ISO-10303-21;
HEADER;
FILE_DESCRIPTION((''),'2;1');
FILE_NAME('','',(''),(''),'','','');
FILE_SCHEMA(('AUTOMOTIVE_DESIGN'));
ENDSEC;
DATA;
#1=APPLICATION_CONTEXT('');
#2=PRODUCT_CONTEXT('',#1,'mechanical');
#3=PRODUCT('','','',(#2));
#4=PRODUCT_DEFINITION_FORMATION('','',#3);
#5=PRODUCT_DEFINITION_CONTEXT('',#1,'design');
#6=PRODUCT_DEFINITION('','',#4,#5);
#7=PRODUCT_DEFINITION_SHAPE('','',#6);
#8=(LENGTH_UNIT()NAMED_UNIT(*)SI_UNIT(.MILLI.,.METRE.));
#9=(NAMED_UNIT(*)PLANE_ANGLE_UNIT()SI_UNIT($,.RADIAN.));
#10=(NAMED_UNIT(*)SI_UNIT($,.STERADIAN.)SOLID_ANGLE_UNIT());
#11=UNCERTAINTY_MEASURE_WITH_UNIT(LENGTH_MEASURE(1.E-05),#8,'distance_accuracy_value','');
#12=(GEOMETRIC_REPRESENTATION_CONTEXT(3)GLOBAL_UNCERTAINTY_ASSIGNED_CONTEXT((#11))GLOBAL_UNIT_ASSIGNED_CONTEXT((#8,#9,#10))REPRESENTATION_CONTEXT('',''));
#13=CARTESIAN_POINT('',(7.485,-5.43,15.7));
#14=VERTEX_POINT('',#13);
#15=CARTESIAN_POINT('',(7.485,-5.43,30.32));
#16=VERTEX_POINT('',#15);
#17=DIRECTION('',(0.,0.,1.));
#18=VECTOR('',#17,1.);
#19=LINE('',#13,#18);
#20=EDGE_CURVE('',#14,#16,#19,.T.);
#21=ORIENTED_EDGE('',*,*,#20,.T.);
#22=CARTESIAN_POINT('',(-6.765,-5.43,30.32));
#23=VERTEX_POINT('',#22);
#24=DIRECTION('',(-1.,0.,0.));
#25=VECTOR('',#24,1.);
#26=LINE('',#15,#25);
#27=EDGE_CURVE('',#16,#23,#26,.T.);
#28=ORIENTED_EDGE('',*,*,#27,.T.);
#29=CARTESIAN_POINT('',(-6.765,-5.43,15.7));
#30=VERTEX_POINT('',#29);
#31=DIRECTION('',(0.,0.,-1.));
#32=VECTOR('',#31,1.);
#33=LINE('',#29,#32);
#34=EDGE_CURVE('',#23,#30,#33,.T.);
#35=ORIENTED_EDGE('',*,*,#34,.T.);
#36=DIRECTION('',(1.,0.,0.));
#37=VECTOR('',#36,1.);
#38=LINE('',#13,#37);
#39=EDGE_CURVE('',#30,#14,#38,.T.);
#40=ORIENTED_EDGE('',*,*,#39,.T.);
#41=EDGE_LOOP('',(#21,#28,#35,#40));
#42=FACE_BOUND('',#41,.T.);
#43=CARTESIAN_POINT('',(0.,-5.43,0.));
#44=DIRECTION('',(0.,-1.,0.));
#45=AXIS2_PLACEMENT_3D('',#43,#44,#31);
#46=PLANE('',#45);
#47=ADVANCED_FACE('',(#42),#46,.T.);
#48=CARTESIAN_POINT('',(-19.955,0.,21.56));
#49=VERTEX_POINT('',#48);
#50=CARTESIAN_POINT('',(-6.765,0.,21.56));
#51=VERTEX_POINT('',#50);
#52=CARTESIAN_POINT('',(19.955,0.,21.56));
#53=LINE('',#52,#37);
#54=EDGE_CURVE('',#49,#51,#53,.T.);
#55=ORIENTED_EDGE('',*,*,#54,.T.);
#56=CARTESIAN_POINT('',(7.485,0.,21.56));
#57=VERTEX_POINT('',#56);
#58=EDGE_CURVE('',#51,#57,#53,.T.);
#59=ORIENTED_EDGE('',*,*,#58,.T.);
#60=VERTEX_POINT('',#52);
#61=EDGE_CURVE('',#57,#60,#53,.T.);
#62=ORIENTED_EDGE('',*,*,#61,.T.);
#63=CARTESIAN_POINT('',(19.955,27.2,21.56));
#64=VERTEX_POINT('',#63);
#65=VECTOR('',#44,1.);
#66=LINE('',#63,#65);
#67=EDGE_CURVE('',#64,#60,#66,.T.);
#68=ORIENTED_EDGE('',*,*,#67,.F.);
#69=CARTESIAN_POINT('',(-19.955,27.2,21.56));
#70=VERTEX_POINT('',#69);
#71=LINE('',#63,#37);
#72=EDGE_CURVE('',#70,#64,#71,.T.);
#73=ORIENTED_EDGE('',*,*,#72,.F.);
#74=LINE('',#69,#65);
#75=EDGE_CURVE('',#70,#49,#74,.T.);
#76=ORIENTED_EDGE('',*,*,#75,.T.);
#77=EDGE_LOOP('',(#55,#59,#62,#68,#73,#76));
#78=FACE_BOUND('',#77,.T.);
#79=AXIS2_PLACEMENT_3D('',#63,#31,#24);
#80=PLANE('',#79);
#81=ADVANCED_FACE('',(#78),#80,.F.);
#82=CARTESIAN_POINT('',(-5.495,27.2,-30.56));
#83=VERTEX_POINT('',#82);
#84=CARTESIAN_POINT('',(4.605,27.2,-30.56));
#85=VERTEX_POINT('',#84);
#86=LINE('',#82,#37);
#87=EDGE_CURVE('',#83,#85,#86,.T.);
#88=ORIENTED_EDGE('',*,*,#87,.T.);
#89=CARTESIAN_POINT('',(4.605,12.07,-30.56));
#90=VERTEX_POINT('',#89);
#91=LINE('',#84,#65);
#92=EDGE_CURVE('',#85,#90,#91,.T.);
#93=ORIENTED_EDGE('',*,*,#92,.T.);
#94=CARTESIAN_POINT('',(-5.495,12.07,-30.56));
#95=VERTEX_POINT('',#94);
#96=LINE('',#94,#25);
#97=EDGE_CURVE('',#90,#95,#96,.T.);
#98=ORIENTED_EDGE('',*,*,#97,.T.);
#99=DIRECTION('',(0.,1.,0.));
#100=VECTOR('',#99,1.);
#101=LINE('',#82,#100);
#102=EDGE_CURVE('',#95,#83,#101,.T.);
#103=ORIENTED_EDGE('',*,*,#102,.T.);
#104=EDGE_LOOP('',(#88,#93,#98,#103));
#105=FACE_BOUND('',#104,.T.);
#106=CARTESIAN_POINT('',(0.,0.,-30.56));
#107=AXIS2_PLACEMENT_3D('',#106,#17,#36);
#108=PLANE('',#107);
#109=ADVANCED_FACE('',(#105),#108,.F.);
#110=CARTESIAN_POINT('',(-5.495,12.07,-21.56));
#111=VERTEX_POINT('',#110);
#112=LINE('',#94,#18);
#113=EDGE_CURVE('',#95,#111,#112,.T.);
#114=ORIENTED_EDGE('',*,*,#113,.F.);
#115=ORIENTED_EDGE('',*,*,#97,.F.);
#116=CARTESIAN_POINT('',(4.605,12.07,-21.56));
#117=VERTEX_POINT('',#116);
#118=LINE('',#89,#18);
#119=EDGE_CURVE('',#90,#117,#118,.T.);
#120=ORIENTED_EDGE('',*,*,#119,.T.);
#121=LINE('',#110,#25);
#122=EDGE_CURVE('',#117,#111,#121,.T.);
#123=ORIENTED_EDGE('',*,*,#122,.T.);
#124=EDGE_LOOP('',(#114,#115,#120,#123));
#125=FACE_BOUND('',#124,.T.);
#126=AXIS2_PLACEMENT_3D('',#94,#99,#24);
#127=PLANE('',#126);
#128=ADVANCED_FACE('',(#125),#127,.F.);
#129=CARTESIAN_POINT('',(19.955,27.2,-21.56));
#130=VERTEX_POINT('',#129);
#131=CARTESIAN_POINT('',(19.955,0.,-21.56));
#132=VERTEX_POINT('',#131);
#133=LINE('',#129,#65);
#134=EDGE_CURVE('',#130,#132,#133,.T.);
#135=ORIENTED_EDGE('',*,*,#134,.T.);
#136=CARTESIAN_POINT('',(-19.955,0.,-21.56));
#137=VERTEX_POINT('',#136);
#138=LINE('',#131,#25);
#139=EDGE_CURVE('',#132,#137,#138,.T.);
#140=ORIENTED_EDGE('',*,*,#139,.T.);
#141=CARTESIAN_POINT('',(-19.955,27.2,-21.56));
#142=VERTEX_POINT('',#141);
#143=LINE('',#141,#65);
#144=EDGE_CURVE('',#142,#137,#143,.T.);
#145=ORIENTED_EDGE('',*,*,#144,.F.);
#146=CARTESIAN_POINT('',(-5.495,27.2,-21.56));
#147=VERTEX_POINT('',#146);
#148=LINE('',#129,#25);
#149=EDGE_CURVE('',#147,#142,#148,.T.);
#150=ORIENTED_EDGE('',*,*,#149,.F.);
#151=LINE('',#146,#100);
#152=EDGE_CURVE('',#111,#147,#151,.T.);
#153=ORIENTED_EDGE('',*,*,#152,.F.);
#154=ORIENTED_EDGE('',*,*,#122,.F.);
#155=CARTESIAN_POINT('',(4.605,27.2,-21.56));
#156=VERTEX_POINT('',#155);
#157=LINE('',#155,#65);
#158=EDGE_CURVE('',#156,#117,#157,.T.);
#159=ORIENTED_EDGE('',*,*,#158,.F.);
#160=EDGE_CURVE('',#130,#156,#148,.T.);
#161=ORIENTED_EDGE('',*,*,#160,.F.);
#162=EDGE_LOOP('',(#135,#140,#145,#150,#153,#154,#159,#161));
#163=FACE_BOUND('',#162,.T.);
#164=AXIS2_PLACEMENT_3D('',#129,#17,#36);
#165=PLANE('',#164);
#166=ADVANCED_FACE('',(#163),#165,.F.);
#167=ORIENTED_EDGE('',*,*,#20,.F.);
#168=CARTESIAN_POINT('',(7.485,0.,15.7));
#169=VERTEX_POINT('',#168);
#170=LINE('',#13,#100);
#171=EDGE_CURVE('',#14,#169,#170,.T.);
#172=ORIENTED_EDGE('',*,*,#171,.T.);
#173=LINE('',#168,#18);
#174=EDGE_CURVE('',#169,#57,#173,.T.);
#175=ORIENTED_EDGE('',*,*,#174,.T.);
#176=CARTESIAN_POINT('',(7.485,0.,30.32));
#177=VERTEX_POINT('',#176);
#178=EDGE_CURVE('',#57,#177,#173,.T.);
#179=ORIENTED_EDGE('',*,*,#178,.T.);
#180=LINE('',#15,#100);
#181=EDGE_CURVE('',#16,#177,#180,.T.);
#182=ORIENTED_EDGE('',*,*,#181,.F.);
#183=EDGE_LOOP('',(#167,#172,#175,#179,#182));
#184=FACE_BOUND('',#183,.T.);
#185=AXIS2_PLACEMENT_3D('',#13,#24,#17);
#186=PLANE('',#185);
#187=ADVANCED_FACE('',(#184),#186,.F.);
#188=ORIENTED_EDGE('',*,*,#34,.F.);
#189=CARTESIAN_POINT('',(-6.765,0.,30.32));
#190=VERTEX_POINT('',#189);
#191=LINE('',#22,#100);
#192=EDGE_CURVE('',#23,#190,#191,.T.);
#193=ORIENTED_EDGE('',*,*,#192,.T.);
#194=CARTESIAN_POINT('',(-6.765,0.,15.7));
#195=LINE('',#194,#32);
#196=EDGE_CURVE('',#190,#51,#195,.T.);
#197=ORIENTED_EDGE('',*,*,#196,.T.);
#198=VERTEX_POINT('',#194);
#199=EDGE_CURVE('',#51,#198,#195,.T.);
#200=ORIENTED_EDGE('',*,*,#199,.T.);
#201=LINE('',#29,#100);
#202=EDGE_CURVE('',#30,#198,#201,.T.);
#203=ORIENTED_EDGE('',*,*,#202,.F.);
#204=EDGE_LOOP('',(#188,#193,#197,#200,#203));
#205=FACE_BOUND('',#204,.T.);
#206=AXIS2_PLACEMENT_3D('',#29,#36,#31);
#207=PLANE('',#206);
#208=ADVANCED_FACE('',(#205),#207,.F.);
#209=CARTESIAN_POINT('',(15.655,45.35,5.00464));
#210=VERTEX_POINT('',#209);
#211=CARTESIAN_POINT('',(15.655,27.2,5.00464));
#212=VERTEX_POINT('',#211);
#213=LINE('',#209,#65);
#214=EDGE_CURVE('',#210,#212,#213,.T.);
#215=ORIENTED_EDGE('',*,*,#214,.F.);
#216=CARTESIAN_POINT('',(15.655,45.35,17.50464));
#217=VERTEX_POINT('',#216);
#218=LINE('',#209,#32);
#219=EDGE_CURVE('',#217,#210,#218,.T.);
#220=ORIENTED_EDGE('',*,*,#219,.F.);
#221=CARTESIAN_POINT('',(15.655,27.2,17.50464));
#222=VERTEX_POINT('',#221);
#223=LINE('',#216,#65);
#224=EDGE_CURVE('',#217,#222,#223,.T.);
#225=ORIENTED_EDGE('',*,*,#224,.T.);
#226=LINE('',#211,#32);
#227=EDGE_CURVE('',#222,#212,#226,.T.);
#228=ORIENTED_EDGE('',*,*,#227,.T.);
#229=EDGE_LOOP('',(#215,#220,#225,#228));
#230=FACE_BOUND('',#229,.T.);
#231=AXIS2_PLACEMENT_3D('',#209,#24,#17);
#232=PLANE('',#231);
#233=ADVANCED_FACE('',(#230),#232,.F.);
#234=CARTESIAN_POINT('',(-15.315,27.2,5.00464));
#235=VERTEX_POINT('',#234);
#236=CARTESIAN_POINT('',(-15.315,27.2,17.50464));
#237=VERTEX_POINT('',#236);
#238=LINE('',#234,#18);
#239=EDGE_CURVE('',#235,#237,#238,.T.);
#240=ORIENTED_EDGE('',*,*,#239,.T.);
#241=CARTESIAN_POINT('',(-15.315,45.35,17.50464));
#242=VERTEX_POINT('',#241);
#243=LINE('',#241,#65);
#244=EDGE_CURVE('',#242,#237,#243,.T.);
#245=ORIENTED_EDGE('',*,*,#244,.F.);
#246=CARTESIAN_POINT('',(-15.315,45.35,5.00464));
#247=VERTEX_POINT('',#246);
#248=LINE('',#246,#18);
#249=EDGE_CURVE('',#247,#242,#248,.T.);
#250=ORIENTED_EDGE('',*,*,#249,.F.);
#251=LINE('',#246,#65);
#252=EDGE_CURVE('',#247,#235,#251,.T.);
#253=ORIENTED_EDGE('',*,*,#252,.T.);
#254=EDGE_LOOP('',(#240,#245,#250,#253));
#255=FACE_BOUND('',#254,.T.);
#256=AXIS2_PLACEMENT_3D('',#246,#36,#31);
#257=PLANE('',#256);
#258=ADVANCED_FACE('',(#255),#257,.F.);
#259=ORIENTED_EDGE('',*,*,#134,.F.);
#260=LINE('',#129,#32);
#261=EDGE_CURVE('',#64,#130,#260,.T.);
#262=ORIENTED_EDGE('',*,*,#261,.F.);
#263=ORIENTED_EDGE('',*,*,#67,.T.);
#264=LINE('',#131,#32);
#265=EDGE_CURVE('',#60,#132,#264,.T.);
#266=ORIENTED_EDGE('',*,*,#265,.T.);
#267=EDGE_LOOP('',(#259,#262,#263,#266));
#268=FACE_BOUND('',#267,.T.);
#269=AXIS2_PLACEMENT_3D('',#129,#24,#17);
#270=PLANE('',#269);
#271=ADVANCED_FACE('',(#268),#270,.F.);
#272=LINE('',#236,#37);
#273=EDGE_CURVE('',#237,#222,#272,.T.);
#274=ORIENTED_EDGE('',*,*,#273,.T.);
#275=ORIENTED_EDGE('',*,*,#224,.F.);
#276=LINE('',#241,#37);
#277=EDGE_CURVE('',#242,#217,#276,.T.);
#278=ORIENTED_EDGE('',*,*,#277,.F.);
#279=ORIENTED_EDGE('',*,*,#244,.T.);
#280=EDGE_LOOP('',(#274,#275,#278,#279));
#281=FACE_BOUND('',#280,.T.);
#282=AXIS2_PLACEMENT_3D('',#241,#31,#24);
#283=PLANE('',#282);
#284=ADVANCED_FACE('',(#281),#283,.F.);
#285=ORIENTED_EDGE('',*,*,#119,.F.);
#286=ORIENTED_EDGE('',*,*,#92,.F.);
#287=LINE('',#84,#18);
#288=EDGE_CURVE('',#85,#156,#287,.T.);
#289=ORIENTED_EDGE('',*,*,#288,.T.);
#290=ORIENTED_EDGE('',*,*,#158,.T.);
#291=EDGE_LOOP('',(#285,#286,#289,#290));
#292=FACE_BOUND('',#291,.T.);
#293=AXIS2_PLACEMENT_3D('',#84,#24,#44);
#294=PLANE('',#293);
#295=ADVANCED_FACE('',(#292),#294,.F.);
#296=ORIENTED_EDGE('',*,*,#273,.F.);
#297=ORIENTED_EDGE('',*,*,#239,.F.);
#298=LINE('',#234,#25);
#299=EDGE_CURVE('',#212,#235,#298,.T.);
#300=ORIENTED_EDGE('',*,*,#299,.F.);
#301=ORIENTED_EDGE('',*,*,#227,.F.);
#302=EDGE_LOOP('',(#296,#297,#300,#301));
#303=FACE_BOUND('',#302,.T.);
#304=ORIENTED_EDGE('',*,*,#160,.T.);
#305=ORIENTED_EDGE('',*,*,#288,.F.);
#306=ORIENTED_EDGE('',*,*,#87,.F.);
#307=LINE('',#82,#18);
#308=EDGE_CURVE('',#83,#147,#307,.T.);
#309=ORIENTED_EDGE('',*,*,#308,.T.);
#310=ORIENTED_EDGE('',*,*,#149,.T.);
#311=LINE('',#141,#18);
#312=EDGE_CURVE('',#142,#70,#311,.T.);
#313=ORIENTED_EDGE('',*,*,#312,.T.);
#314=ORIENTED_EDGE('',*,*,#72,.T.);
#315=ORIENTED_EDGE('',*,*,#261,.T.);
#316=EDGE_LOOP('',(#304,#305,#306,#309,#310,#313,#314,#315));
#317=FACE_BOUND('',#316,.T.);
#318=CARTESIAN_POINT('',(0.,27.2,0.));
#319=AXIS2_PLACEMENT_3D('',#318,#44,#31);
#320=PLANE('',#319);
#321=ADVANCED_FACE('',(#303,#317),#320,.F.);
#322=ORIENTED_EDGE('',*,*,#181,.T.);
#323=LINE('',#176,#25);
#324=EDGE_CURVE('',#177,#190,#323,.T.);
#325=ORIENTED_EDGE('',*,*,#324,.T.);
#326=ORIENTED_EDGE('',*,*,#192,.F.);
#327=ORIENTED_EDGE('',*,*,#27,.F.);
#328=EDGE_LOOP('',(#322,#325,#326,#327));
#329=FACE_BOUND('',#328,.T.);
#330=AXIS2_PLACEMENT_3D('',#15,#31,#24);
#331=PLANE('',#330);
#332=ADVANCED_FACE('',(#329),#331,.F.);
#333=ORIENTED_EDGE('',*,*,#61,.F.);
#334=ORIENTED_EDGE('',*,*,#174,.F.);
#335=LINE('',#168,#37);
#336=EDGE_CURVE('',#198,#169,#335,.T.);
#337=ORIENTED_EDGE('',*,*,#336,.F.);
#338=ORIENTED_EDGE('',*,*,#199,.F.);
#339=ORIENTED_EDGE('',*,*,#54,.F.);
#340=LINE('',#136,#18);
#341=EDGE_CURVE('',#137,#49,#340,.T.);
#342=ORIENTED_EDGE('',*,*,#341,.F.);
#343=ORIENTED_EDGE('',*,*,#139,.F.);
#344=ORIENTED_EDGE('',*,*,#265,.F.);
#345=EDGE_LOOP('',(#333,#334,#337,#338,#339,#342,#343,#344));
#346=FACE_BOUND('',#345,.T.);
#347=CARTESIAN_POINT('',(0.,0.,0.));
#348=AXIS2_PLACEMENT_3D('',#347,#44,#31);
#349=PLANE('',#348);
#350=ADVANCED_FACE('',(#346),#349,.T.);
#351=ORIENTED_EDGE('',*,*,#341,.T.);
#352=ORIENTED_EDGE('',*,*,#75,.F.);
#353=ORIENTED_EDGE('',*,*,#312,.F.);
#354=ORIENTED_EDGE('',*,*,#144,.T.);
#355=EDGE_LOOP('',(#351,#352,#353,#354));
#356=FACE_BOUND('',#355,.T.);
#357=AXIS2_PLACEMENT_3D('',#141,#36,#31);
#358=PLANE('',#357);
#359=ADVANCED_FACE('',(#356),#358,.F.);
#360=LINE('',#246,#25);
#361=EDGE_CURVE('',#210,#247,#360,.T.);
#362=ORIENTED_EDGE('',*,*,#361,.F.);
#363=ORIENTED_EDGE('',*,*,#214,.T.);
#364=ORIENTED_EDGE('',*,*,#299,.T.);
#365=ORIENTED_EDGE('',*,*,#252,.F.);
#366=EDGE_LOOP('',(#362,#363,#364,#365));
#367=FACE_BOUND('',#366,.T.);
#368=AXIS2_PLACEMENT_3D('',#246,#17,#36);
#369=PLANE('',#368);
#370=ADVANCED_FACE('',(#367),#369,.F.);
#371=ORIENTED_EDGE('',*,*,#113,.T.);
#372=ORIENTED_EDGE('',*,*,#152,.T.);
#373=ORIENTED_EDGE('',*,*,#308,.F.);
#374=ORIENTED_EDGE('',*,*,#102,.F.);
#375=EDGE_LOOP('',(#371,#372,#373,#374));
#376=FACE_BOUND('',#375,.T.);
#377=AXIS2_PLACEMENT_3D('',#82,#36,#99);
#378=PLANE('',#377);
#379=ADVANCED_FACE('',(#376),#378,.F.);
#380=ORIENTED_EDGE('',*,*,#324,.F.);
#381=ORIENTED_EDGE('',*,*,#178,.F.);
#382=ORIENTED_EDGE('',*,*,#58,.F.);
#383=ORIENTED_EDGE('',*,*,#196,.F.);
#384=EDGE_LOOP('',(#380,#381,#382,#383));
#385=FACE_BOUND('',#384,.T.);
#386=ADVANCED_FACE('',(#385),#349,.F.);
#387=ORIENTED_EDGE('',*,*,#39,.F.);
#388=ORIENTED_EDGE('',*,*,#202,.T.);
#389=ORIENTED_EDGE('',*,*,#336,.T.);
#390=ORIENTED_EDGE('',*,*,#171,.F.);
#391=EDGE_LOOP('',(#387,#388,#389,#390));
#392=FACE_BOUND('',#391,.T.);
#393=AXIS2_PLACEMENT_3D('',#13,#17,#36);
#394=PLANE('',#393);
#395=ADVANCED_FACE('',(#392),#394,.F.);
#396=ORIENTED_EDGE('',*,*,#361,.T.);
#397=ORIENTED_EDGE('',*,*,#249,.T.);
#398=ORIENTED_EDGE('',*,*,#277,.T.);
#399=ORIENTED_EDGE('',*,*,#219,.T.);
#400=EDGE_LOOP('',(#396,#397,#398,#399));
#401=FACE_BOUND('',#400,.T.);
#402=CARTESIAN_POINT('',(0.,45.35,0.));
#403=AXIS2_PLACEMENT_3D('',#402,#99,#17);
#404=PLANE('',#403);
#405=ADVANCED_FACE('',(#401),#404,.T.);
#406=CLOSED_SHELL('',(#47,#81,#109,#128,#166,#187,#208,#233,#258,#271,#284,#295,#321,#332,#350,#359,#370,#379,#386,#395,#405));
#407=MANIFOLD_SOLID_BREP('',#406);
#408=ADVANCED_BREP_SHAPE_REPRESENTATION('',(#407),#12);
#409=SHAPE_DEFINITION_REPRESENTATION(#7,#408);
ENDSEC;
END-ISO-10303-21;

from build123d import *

# Parameters (mm, degrees)
SKETCH1_W           = 39.91
SKETCH1_H           = 43.12
BOSS_EXTRUDE1_DEPTH = 27.2
SKETCH2_W           = 10.1
SKETCH2_H           = 15.13
BOSS_EXTRUDE2_DEPTH = 9
SKETCH5_W           = 14.25
SKETCH5_H           = 14.62
BOSS_EXTRUDE3_DEPTH = 5.43
SKETCH6_W           = 30.97
SKETCH6_H           = 12.5
BOSS_EXTRUDE4_DEPTH = 18.15


with BuildPart() as part:
    # Sketch1 → Boss-Extrude1 (new body)
    with BuildSketch(Plane(origin=(0, 0, 0), x_dir=(1, 0, 0), z_dir=(0, 1, 0))):
        Rectangle(SKETCH1_W, SKETCH1_H)
    extrude(amount=BOSS_EXTRUDE1_DEPTH)

    # Sketch2 → Boss-Extrude2 (add)
    with BuildSketch(Plane(origin=(0, 0, -21.56), x_dir=(-1, 0, 0), z_dir=(0, 0, -1))):
        with Locations((0.445, 19.635)):
            Rectangle(SKETCH2_W, SKETCH2_H)
    extrude(amount=BOSS_EXTRUDE2_DEPTH)

    # Sketch5 → Boss-Extrude3 (add)
    with BuildSketch(Plane.XZ):
        with Locations((0.36, 23.01)):
            Rectangle(SKETCH5_W, SKETCH5_H)
    extrude(amount=BOSS_EXTRUDE3_DEPTH)

    # Sketch6 → Boss-Extrude4 (add)
    with BuildSketch(Plane(origin=(0, 27.2, 0), x_dir=(1, 0, 0), z_dir=(0, 1, 0))):
        with Locations((0.17, -11.254639855)):
            Rectangle(SKETCH6_W, SKETCH6_H)
    extrude(amount=BOSS_EXTRUDE4_DEPTH)


solid = part.part
